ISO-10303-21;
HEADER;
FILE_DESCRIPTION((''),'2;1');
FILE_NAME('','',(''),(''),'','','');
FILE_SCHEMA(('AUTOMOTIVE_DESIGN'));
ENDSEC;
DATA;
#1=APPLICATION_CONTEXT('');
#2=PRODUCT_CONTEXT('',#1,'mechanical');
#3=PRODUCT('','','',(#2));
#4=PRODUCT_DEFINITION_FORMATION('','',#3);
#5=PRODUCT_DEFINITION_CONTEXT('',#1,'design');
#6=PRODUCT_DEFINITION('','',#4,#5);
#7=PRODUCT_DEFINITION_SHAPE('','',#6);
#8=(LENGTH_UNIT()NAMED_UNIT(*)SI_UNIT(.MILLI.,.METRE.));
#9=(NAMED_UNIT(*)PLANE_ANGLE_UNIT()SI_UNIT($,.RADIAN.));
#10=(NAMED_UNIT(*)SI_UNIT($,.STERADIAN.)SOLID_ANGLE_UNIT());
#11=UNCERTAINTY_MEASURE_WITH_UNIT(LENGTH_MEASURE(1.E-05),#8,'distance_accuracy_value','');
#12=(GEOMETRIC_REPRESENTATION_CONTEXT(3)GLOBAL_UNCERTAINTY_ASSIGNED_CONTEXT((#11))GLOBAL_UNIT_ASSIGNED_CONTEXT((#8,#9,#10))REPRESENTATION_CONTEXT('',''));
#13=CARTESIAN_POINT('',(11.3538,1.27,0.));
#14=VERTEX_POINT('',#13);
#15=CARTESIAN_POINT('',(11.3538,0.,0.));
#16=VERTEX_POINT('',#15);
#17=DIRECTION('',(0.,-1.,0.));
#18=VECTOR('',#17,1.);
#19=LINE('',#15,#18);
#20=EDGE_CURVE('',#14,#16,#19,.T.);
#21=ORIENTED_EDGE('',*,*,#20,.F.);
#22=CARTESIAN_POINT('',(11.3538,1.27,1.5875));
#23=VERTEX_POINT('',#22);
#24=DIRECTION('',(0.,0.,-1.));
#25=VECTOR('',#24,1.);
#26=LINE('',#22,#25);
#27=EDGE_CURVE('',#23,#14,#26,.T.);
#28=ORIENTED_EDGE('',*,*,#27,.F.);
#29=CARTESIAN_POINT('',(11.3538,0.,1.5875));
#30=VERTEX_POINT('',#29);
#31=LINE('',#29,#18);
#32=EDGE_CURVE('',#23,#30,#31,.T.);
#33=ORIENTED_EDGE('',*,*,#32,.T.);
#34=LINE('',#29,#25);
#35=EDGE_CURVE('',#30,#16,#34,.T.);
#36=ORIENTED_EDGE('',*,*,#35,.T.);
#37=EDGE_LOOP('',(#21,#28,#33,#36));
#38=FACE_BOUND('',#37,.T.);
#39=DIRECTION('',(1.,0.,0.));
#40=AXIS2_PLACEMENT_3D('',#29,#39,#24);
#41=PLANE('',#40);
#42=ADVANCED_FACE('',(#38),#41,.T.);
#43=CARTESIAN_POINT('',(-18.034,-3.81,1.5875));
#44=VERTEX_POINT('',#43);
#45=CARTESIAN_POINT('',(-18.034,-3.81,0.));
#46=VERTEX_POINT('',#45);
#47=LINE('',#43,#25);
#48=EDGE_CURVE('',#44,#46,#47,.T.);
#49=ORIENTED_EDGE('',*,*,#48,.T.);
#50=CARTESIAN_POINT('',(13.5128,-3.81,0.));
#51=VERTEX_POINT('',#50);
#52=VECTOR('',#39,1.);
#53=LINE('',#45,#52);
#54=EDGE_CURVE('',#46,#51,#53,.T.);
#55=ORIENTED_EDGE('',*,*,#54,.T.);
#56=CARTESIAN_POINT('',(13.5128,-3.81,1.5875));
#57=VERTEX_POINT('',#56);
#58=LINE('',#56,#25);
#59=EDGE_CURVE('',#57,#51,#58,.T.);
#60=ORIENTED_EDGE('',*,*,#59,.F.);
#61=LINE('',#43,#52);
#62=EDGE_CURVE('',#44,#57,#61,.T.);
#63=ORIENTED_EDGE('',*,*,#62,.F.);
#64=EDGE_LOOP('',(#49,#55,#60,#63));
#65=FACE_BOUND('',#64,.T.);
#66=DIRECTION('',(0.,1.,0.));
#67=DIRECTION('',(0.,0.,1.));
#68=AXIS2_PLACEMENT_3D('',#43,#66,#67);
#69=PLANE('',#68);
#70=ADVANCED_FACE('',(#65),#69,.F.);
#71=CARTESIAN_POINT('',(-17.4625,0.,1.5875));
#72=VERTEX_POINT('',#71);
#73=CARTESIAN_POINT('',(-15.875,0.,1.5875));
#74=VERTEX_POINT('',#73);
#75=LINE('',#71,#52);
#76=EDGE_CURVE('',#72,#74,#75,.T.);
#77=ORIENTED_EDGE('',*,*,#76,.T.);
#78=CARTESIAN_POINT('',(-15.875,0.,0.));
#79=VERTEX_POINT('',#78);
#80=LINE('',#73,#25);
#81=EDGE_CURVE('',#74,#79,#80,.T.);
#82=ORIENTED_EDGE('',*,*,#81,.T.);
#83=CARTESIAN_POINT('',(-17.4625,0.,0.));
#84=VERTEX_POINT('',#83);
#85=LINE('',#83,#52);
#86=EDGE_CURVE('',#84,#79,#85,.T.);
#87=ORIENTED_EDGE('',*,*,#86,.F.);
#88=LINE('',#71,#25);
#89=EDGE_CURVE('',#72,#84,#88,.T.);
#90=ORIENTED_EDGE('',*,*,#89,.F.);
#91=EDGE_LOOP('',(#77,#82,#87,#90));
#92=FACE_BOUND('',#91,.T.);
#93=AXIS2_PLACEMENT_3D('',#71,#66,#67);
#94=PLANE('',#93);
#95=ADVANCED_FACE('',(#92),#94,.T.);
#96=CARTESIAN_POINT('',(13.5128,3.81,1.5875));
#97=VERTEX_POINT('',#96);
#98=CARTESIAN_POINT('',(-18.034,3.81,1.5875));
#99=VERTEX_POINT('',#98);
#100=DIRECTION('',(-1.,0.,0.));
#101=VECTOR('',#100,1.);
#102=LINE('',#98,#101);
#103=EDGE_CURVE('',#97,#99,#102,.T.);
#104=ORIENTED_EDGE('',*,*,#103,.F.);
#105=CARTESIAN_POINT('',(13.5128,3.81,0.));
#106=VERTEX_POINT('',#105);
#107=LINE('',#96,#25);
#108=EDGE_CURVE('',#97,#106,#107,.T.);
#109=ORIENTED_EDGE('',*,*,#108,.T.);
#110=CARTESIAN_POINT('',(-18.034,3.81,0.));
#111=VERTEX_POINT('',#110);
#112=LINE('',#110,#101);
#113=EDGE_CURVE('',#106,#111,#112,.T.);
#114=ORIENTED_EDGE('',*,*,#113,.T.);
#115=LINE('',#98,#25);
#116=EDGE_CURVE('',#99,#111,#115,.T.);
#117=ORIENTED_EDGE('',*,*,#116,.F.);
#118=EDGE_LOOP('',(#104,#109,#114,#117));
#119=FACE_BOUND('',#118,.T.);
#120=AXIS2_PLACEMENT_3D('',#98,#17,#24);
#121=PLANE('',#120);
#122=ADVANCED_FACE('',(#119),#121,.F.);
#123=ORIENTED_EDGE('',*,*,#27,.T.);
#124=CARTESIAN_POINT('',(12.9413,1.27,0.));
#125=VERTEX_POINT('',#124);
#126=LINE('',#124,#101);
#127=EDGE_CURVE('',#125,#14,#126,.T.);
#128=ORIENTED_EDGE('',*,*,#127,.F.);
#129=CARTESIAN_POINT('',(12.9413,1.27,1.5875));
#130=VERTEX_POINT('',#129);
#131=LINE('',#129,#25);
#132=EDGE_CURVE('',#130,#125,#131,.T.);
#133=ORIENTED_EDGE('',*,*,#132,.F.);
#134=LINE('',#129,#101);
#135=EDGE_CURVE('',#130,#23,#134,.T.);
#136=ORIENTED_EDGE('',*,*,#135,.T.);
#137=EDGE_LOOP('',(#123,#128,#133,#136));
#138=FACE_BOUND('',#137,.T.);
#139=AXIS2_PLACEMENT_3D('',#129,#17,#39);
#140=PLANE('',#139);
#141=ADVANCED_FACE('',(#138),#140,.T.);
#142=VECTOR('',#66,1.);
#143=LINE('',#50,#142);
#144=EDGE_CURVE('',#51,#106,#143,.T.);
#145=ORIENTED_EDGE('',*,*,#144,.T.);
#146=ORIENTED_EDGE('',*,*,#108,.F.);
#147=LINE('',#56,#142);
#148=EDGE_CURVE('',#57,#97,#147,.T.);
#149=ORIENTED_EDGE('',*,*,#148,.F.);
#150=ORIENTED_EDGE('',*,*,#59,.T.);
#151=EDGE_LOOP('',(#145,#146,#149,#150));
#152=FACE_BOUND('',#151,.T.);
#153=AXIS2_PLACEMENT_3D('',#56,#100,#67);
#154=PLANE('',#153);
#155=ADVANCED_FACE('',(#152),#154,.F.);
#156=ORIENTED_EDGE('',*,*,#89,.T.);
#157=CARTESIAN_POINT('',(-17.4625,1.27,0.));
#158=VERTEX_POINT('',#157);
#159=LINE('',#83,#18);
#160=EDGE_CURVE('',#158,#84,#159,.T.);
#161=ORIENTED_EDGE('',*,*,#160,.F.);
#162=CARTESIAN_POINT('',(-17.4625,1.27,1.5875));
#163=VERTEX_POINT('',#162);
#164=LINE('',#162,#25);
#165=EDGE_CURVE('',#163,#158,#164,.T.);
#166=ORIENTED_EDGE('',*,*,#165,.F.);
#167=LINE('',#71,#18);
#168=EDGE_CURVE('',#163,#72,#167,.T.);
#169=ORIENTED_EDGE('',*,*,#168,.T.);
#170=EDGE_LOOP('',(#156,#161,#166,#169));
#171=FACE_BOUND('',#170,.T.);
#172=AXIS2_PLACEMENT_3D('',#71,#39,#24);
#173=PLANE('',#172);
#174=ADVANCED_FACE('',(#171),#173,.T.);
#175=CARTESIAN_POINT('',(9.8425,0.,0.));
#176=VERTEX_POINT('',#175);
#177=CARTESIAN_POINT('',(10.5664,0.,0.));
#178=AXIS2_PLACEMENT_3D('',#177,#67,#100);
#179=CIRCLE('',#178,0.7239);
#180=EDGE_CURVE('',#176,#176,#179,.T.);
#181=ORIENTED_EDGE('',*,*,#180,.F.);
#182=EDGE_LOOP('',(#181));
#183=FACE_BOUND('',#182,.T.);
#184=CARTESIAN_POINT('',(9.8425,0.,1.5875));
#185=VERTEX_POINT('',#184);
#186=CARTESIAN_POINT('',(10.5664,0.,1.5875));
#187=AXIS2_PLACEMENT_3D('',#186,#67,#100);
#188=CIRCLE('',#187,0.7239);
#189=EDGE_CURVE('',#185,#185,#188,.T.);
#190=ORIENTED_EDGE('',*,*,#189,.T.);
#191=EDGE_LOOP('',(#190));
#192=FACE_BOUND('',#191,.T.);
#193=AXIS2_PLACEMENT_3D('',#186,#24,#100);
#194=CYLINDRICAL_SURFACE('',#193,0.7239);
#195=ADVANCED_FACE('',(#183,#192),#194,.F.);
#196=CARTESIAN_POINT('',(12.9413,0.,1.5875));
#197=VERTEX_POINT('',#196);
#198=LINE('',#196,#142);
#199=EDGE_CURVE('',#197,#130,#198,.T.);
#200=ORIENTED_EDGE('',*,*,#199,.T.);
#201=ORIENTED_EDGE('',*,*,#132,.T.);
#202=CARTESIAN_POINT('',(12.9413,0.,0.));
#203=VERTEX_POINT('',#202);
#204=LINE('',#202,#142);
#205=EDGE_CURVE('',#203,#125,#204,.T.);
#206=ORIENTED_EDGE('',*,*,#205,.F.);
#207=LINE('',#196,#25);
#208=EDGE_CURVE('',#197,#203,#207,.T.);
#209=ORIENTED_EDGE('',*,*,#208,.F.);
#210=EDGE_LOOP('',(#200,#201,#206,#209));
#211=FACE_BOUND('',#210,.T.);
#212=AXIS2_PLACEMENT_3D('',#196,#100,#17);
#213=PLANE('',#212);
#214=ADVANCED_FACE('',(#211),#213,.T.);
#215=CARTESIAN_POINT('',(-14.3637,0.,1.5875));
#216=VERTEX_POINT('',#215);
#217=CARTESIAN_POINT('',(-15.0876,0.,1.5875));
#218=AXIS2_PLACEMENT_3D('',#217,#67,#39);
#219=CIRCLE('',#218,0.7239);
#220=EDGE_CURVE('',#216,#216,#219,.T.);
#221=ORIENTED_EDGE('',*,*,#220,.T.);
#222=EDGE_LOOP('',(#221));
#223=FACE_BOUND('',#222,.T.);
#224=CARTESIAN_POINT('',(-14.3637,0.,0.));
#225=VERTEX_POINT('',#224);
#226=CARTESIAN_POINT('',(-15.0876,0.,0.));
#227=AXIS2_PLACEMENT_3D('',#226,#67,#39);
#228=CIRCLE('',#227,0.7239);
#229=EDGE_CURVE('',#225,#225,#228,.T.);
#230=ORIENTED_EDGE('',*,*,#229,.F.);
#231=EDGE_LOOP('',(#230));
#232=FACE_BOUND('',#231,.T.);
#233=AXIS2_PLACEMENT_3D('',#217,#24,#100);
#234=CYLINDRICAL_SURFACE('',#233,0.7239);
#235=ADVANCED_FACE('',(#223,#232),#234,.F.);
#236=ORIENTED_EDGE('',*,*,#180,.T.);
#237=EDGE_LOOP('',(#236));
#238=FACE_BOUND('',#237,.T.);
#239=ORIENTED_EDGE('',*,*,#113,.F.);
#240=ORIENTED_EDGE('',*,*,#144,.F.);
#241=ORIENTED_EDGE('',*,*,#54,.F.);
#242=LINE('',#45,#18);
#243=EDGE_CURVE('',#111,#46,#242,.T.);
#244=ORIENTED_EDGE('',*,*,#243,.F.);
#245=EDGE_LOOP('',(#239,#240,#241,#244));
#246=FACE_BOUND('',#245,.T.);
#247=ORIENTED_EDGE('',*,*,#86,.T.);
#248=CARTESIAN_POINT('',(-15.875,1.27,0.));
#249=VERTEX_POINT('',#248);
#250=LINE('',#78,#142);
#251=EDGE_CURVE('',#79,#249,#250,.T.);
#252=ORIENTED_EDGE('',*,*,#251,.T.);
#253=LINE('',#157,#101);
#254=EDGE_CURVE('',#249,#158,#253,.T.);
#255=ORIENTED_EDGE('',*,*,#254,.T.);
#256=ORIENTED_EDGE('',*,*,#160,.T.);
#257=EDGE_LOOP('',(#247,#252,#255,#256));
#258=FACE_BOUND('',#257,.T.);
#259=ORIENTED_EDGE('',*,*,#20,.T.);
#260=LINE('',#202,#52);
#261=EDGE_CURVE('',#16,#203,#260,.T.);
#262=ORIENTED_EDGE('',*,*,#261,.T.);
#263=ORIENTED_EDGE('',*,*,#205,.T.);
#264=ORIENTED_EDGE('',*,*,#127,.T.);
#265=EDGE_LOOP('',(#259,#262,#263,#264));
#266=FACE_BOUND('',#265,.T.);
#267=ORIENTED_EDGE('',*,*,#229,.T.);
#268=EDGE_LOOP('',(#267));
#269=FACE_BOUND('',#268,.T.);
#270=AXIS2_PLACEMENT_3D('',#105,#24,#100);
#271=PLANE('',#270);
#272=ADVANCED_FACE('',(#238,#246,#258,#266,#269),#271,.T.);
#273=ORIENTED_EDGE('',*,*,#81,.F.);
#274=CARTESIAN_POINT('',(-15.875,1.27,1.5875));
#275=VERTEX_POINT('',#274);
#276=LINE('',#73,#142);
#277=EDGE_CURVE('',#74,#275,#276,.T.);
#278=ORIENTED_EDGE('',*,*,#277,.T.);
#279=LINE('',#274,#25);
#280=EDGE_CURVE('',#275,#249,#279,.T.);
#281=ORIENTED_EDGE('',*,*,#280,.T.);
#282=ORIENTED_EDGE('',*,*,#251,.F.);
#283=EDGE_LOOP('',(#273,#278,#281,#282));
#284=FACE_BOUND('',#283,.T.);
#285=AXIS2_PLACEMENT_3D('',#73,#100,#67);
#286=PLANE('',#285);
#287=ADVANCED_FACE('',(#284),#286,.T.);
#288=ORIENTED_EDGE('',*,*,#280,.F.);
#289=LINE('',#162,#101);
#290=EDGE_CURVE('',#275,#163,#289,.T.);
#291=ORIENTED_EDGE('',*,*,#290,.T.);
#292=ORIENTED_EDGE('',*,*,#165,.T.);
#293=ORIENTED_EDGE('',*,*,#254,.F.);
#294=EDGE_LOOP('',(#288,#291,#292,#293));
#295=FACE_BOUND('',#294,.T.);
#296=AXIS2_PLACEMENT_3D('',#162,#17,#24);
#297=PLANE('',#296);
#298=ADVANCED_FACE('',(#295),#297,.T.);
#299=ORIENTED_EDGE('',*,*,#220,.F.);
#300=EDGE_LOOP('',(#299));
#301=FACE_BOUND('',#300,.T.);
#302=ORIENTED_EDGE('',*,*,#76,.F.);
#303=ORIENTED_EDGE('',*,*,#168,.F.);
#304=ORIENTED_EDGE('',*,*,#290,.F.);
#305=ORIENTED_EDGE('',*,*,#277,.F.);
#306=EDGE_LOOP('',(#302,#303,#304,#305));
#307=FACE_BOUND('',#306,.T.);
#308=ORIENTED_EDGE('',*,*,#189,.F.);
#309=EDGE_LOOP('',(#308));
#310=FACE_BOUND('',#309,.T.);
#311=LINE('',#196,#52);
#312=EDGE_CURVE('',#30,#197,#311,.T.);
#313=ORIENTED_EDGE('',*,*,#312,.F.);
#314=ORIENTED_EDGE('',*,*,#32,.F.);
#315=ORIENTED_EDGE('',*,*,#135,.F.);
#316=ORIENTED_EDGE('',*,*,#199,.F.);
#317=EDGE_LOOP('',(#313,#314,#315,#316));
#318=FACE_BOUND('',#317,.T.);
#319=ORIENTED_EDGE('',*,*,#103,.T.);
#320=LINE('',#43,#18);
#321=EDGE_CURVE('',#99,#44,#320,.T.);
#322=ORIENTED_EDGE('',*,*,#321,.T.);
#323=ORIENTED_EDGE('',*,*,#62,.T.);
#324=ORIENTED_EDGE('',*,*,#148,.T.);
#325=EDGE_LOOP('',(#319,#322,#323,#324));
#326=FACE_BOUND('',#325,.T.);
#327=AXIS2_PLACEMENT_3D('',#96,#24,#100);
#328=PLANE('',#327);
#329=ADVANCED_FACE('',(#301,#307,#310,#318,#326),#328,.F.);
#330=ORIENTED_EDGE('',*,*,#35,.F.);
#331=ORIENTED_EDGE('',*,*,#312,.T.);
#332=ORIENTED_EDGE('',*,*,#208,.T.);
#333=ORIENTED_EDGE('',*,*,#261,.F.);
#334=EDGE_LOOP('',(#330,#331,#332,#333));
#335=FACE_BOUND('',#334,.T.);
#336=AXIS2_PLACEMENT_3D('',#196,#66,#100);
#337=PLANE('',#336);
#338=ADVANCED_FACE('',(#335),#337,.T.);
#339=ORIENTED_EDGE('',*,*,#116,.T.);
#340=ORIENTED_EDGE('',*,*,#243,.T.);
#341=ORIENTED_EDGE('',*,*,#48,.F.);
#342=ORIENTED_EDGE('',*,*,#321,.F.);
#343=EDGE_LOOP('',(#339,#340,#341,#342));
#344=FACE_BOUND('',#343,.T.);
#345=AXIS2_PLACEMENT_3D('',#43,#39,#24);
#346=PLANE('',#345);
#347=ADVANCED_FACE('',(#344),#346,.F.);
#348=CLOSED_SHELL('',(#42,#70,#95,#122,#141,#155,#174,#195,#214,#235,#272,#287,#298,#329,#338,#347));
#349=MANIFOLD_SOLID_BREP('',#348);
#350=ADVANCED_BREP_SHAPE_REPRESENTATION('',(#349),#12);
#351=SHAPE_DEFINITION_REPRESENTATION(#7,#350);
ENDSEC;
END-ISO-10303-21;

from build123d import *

# Parameters (mm, degrees)
SKETCH1_W           = 31.5468
SKETCH1_H           = 7.62
SKETCH1_R           = 0.7239
SKETCH1_W_2         = 1.5875
SKETCH1_H_2         = 1.27
BOSS_EXTRUDE1_DEPTH = 1.5875


with BuildPart() as part:
    # Sketch1 → Boss-Extrude1 (new body)
    with BuildSketch(Plane.XY):
        with Locations((-2.2606, 0)):
            Rectangle(SKETCH1_W, SKETCH1_H)
        with Locations((-15.0876, 0)):
            Circle(SKETCH1_R, mode=Mode.SUBTRACT)
        with Locations(Location((10.5664, 0, 0), (0, 0, 180))):
            Circle(SKETCH1_R, mode=Mode.SUBTRACT)
        with Locations((-16.66875, 0.635)):
            Rectangle(SKETCH1_W_2, SKETCH1_H_2, mode=Mode.SUBTRACT)
        with Locations((12.14755, 0.635)):
            Rectangle(SKETCH1_W_2, SKETCH1_H_2, mode=Mode.SUBTRACT)
    extrude(amount=BOSS_EXTRUDE1_DEPTH)


solid = part.part
